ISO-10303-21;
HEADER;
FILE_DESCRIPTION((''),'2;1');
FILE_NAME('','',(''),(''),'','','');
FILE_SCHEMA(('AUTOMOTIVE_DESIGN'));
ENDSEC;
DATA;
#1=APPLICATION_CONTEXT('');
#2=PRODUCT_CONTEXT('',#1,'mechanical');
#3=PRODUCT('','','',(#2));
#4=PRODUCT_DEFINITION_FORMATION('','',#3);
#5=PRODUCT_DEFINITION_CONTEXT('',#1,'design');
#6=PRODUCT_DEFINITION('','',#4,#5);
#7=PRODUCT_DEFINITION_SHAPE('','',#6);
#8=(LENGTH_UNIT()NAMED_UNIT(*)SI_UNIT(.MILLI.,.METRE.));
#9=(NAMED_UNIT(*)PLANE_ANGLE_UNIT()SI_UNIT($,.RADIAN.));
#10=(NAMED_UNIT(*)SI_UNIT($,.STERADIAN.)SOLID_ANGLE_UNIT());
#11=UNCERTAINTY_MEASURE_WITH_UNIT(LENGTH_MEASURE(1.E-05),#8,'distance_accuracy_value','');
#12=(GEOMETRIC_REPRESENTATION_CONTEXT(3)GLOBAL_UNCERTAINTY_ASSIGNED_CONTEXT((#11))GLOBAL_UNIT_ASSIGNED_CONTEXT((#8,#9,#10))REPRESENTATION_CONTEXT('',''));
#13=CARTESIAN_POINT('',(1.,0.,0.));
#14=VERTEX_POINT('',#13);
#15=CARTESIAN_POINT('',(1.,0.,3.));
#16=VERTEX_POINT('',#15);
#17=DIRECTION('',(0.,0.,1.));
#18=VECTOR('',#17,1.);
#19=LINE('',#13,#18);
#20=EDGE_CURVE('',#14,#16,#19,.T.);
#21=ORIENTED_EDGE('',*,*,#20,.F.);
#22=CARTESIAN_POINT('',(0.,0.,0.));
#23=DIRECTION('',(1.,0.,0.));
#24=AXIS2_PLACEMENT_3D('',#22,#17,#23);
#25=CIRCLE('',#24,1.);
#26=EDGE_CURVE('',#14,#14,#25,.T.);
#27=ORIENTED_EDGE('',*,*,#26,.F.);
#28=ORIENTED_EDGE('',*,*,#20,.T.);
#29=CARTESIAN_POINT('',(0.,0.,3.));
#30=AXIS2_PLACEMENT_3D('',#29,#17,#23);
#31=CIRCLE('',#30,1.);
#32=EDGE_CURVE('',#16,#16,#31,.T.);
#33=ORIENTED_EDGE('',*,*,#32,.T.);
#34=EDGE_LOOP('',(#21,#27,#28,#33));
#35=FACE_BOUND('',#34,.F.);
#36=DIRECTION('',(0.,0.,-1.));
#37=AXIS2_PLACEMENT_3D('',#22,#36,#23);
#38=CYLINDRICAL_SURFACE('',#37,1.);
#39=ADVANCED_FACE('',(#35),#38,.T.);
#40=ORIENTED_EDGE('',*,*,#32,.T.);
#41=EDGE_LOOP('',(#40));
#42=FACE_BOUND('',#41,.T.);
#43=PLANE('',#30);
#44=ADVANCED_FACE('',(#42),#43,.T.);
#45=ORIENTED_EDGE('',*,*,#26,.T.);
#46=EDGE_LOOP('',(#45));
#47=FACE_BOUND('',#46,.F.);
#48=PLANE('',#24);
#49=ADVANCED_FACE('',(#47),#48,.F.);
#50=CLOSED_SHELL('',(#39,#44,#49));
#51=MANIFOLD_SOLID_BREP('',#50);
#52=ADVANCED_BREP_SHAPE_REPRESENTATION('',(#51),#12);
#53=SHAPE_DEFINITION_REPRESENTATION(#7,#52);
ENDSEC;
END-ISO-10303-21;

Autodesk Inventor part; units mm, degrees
ref_plane "YZ Plane" through (0, 0, 0) normal (1, 0, 0) x (0, 1, 0)
ref_plane "XZ Plane" through (0, 0, 0) normal (0, 1, 0) x (-1, 0, 0)
ref_plane "XY Plane" through (0, 0, 0) normal (0, 0, 1) x (1, 0, 0)
sketch "Sketch1" plane through (0, 0, 0) normal (0, 0, 1) x (1, 0, 0)
  circle A0 centre (0, 0) radius 1
  dimension "d0" = 2
extrude "Extrusion1" add sketch "Sketch1" along normal blind 3
properties part number "pin"
